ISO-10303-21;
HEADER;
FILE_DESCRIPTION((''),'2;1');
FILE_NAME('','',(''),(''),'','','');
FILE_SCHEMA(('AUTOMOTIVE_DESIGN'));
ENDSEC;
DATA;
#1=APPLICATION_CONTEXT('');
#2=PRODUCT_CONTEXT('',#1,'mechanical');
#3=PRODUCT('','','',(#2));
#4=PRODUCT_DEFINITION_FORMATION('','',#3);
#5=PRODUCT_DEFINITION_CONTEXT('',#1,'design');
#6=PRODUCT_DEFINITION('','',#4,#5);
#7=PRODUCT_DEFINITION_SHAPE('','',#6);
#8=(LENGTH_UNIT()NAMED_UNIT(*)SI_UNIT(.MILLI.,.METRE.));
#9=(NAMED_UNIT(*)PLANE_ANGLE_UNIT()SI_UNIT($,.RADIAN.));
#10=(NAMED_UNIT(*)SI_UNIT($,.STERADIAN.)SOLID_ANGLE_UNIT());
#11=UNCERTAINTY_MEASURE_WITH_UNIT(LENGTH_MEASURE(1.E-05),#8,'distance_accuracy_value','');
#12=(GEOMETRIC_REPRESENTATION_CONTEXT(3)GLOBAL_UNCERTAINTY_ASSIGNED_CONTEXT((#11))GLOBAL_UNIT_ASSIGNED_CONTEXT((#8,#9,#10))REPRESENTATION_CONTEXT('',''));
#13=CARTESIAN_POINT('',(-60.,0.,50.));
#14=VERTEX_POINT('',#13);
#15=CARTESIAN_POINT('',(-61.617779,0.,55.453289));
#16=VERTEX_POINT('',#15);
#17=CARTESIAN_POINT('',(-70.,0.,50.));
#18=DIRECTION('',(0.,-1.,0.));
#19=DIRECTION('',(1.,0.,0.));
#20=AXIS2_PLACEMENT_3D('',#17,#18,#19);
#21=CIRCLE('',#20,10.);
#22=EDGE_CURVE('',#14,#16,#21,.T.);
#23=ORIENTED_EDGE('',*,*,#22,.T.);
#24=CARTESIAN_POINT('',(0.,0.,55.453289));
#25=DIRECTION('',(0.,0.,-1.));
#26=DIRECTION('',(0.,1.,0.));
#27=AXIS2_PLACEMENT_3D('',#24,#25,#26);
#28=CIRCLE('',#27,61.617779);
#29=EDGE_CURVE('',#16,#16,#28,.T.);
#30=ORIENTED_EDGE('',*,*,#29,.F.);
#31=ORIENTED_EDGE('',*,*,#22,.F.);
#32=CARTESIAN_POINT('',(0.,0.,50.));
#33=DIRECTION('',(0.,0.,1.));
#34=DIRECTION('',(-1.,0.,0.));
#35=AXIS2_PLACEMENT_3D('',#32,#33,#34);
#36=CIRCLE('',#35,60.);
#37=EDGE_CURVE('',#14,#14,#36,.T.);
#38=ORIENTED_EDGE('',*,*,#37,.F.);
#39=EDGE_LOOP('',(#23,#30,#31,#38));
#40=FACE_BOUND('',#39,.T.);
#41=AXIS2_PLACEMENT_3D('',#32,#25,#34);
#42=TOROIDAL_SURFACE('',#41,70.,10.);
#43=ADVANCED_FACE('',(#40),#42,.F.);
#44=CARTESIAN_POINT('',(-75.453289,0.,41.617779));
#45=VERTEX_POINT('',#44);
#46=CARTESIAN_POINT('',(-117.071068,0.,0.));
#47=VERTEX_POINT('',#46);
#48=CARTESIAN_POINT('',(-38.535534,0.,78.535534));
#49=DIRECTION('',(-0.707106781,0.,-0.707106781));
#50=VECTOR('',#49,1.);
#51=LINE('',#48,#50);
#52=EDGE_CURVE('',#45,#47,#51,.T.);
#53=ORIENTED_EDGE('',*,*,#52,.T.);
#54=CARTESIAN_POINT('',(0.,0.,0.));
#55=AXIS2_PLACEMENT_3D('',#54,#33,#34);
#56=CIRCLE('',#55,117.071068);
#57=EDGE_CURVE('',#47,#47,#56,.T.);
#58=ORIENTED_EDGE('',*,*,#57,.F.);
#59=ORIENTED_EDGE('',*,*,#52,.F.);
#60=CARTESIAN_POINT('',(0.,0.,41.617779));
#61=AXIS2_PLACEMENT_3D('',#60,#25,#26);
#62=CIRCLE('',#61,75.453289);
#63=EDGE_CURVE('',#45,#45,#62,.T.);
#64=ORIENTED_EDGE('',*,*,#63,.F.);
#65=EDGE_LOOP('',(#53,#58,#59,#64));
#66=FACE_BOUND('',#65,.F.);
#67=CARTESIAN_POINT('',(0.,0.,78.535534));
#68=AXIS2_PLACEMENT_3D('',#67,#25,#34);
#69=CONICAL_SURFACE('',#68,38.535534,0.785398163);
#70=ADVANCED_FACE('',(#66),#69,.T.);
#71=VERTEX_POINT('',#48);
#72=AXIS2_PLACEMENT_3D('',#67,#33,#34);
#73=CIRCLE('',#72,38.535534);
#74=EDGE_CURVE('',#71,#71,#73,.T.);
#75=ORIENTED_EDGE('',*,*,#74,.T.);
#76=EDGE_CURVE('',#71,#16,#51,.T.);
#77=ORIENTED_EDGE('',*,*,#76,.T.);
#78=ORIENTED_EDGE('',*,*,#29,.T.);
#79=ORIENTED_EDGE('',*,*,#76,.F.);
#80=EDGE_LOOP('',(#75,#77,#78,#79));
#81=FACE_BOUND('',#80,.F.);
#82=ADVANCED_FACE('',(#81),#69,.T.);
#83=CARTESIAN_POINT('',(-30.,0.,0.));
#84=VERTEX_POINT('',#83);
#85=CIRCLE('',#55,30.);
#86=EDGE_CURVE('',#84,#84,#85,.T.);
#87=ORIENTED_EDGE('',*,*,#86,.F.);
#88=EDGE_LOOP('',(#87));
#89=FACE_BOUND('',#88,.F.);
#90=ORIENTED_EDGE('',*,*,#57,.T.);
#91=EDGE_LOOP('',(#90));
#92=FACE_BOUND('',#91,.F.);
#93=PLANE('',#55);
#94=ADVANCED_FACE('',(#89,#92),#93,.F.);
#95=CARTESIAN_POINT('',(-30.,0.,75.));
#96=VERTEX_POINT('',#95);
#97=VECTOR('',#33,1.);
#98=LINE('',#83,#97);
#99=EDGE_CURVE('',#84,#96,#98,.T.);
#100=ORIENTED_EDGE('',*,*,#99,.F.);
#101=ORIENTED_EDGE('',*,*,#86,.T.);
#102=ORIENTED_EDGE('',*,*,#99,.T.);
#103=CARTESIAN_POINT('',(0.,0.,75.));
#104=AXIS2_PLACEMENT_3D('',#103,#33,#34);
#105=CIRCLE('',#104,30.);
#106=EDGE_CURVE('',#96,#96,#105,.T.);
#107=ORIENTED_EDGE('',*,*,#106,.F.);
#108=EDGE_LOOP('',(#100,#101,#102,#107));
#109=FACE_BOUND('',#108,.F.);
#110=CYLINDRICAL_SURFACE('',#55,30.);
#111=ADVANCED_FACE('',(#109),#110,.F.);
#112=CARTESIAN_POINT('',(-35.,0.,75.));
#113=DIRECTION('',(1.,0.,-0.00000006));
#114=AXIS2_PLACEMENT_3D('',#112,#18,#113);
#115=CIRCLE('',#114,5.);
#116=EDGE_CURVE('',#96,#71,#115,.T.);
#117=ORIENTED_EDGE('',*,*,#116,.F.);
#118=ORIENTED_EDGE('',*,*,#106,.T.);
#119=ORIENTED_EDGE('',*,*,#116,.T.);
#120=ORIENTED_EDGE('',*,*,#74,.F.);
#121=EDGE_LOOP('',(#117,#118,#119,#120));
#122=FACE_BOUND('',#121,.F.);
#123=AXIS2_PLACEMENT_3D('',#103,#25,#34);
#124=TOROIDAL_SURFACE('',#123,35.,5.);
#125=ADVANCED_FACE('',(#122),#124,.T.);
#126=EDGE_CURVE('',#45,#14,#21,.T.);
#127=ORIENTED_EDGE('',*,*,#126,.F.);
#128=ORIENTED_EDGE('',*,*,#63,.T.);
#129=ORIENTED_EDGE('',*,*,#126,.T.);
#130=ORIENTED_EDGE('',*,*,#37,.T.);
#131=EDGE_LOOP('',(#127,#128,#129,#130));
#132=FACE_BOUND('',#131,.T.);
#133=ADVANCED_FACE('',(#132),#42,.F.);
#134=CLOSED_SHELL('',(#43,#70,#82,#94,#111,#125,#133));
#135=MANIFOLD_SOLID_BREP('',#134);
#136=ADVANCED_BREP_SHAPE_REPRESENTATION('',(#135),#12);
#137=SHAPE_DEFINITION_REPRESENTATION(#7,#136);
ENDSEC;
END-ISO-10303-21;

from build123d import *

# Parameters (mm, degrees)
F1_R = 10


with BuildPart() as f2:
    # F0 (on Front) → F2 (revolve)
    with BuildSketch(Plane.XZ):
        with BuildLine():
            Line((-117.071068, 0), (-30, 0))
            Line((-30, 0), (-30, 75))
            ThreePointArc((-30, 75), (-33.086583, 79.619398), (-38.535534, 78.535534))
            Line((-38.535534, 78.535534), (-117.071068, 0))
        make_face()
    revolve(axis=Axis((0, 0, 50.122261), (0, 0, 1)))

    # F1 (on Front) → F3 (revolve, cut)
    with BuildSketch(Plane.XZ):
        with Locations((-70, 50)):
            Circle(F1_R)
    revolve(axis=Axis((0, 0, 49.993556), (0, 0, 1)), mode=Mode.SUBTRACT)


solid = f2.part
